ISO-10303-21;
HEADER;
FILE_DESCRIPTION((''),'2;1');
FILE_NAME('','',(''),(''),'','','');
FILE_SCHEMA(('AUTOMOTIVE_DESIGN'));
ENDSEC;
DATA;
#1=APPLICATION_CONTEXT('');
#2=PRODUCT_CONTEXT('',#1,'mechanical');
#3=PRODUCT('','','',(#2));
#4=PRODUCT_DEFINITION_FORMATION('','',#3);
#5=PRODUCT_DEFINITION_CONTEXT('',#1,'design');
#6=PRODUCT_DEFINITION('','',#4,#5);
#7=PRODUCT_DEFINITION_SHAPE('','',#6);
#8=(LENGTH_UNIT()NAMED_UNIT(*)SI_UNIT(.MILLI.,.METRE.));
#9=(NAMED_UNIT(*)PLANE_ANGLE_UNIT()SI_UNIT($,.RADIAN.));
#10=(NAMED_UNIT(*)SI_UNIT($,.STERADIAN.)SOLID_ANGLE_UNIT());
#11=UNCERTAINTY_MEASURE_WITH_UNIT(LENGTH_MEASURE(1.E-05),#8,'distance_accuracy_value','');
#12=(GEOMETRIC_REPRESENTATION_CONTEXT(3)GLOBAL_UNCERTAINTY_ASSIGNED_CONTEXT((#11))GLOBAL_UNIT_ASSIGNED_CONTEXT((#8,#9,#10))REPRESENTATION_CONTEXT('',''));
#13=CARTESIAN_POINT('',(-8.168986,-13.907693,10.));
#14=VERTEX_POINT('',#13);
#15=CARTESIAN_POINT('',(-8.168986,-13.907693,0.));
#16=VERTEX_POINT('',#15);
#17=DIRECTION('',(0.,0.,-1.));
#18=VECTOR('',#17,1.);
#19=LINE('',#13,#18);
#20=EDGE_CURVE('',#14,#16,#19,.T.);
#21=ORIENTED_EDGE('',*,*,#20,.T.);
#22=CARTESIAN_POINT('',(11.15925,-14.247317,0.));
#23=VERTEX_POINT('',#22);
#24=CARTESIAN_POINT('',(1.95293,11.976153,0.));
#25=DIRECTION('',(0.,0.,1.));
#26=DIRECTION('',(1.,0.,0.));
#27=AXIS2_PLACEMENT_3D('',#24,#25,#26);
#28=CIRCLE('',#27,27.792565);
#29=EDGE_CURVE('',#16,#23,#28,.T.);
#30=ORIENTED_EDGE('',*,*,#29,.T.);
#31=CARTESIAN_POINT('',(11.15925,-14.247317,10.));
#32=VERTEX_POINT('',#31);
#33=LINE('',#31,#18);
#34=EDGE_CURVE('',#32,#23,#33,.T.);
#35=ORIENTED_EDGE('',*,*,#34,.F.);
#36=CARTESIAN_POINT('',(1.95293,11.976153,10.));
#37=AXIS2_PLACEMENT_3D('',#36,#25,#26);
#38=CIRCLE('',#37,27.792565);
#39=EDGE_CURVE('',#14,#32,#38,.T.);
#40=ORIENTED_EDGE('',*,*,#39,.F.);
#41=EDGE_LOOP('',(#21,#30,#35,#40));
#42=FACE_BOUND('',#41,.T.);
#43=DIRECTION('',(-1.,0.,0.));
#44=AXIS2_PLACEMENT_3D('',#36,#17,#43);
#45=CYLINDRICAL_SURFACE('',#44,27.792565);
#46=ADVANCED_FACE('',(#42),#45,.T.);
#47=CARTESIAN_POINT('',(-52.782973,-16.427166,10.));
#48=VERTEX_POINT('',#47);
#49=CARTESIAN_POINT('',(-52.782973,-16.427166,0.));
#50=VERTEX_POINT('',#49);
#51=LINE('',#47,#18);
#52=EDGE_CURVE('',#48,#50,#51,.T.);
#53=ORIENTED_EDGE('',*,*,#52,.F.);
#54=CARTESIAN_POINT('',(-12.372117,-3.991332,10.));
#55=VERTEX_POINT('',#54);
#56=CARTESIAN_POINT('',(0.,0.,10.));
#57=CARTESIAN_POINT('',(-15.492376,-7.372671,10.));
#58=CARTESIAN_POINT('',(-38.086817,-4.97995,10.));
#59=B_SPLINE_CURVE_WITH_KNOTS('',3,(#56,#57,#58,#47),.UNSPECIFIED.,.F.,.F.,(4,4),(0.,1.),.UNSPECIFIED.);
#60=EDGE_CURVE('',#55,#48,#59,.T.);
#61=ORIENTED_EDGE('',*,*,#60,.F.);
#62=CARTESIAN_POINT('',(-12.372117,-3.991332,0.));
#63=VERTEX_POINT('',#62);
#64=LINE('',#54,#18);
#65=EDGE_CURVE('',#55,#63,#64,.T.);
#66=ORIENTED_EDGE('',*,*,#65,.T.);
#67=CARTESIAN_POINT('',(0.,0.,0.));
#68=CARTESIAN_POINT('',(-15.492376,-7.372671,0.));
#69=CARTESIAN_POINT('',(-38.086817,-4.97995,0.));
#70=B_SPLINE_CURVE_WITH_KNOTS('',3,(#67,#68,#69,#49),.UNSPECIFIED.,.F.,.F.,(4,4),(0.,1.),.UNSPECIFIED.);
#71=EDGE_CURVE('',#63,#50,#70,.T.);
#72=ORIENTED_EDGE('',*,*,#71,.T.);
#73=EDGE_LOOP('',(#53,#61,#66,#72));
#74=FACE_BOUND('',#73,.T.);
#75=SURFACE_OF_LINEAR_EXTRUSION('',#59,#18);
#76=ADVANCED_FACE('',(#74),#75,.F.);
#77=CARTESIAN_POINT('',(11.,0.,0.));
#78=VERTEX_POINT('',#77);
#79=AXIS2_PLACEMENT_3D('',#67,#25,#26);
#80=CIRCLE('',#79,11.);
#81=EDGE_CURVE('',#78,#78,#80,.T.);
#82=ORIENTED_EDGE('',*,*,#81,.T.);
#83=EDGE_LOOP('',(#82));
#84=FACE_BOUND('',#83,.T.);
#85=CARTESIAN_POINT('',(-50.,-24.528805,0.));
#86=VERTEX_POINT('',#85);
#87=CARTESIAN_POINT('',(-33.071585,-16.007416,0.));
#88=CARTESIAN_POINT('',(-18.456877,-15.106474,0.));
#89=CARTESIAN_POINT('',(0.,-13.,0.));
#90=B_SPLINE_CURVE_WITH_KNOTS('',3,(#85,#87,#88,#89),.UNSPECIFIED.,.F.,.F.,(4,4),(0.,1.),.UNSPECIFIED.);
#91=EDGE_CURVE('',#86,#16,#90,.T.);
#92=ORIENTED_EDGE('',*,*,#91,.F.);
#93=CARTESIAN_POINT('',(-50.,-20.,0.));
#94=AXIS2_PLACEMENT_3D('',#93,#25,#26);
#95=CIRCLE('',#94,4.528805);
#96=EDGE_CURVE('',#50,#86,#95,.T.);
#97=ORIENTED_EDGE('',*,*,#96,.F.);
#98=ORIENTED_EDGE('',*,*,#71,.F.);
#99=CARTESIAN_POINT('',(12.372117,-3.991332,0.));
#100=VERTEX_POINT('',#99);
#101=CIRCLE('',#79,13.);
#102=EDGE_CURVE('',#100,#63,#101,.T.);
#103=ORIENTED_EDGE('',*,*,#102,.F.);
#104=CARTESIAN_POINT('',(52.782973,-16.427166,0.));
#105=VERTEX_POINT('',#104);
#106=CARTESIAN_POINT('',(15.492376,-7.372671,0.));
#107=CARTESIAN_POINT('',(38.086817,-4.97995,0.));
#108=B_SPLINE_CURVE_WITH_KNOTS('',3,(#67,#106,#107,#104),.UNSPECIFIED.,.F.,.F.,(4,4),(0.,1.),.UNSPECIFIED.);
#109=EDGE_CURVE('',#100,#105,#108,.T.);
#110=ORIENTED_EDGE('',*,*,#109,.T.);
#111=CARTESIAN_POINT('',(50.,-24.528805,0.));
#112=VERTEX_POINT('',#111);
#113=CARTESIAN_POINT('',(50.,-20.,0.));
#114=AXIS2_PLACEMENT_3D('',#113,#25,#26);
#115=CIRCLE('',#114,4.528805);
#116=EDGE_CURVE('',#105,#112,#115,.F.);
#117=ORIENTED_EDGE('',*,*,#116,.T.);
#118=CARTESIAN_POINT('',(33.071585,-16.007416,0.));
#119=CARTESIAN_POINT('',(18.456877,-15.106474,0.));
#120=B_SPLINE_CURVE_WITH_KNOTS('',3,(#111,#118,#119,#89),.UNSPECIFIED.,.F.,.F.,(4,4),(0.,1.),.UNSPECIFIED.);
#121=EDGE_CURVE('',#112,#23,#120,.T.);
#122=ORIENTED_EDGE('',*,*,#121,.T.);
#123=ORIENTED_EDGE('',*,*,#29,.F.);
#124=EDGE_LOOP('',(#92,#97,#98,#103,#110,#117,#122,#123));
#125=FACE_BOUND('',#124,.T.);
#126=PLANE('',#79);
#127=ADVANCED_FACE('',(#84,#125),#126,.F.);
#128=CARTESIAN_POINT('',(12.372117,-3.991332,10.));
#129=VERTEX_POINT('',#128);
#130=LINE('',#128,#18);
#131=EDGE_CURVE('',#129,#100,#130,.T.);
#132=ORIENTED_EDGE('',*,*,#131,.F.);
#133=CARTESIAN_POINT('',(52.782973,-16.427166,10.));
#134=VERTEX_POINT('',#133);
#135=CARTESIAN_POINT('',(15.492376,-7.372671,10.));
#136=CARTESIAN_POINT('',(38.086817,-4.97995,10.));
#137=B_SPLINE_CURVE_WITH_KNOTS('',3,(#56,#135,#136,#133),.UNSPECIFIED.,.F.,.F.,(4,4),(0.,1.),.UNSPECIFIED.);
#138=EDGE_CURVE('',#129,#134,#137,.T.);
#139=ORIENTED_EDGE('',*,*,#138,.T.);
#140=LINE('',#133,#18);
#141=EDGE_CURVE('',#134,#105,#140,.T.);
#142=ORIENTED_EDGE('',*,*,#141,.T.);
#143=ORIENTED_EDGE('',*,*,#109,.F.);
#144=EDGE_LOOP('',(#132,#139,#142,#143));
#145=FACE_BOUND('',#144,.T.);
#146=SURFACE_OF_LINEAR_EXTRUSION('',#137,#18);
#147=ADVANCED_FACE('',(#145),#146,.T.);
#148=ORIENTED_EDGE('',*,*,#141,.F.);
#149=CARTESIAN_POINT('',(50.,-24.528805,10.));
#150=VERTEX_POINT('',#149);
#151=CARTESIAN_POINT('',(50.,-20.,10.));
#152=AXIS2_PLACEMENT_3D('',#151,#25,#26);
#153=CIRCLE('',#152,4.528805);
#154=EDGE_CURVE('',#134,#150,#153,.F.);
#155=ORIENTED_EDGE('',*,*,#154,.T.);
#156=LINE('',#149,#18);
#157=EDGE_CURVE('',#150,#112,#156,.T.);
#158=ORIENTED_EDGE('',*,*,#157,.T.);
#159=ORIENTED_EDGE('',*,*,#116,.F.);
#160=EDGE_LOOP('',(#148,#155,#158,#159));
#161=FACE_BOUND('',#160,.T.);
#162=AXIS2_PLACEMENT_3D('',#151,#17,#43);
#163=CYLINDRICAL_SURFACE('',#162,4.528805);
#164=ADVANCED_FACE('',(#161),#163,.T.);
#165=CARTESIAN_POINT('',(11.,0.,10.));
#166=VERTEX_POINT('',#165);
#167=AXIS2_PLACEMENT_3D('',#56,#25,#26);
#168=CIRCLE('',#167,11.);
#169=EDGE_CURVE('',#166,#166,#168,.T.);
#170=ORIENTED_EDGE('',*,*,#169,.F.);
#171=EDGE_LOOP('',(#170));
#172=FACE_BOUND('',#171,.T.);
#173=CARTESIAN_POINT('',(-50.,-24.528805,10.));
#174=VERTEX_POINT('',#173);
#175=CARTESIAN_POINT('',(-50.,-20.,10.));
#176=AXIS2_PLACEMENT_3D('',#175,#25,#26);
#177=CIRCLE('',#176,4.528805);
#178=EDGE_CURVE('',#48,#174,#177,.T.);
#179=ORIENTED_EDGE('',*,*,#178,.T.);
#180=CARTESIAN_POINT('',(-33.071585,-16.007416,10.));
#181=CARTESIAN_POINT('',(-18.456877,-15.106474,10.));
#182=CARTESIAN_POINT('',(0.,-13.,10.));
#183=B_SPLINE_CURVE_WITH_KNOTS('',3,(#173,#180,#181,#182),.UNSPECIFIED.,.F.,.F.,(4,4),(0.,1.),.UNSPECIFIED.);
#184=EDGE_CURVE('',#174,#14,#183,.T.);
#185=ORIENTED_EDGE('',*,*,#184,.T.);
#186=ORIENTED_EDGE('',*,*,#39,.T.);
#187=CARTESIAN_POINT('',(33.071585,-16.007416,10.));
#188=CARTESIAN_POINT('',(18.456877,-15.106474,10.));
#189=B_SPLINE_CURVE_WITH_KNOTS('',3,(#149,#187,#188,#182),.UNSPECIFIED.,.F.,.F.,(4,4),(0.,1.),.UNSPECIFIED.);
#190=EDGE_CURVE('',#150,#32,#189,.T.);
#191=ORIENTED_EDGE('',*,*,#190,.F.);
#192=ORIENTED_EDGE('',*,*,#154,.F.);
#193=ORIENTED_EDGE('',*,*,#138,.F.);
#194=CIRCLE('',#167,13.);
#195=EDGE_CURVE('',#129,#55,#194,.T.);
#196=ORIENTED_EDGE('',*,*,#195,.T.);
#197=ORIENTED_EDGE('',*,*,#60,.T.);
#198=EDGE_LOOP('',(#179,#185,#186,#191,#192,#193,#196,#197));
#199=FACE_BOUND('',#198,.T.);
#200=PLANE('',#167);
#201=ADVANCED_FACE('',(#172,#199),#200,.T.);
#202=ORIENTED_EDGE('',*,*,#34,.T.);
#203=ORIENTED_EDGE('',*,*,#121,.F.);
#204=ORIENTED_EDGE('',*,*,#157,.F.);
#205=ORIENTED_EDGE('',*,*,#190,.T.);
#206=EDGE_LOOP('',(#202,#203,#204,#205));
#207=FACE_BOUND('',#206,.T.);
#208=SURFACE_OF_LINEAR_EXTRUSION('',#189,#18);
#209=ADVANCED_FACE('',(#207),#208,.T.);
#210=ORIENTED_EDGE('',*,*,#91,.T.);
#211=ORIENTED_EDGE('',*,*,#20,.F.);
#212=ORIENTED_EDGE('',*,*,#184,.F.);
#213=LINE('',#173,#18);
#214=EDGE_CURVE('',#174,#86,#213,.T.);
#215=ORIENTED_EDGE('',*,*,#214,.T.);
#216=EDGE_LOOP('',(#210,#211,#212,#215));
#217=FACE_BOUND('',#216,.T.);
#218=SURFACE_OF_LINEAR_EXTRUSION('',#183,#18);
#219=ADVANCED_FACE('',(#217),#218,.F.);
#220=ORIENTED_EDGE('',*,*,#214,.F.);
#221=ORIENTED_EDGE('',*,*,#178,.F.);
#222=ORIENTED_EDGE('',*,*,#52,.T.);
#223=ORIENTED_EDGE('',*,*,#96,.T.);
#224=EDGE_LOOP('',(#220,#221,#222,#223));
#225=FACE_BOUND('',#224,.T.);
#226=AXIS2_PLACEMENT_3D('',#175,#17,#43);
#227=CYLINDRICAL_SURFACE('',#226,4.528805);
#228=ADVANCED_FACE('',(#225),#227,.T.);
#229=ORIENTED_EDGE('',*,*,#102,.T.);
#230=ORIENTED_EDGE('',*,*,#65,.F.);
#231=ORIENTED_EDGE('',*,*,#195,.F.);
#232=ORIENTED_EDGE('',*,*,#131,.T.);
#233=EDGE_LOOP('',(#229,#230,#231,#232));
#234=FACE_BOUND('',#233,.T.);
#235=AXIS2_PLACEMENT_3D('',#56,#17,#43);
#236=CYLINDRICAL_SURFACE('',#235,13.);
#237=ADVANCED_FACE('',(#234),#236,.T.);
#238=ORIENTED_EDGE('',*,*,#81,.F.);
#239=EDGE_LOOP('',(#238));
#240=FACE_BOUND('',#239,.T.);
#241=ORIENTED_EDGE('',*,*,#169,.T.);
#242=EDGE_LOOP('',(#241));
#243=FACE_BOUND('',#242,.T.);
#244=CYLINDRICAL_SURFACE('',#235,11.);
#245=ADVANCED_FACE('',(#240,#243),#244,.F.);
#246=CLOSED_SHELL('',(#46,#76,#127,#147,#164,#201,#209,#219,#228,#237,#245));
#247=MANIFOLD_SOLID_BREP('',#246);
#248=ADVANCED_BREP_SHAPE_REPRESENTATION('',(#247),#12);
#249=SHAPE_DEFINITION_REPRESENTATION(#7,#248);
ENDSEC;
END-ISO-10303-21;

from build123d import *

# Parameters (mm, degrees)
SKETCH1_R           = 11
BOSS_EXTRUDE2_DEPTH = 10


with BuildPart() as part:
    # Sketch1 → Boss-Extrude2 (new body)
    with BuildSketch(Plane.XY):
        with BuildLine():
            ThreePointArc((12.372116541, -3.991332145), (0, 13), (-12.372116541, -3.991332145))
            add(Edge.make_bspline(
                [(-12.372116541, -3.991332145), (-26.033828429, -7.02831389), (-41.667558827, -7.769082655), (-52.782972627, -16.427166435)],
                knots=[0.243651576, 0.243651576, 0.243651576, 0.243651576, 1, 1, 1, 1], degree=3))
            ThreePointArc((-52.782972627, -16.427166435), (-54.283149744, -21.471293509), (-50, -24.528805176))
            add(Edge.make_bspline(
                [(-50, -24.528805176), (-35.643842749, -17.302233424), (-22.951681631, -15.556213893), (-8.168986124, -13.907692957)],
                knots=[0, 0, 0, 0, 0.848050859, 0.848050859, 0.848050859, 0.848050859], degree=3))
            ThreePointArc((-8.168986124, -13.907692957), (1.464652086, -15.812122585), (11.159249547, -14.247316707))
            add(Edge.make_bspline(
                [(11.159249547, -14.247316707), (24.686928923, -15.819249429), (36.620856901, -17.79404072), (50, -24.528805176)],
                knots=[1, 1, 1, 1, 1.790336411, 1.790336411, 1.790336411, 1.790336411], degree=3))
            ThreePointArc((50, -24.528805176), (54.283149744, -21.471293509), (52.782972627, -16.427166435))
            add(Edge.make_bspline(
                [(12.372116541, -3.991332145), (26.033828429, -7.02831389), (41.667558827, -7.769082655), (52.782972627, -16.427166435)],
                knots=[0.243651576, 0.243651576, 0.243651576, 0.243651576, 1, 1, 1, 1], degree=3))
        make_face()
        Circle(SKETCH1_R, mode=Mode.SUBTRACT)
    extrude(amount=BOSS_EXTRUDE2_DEPTH)


solid = part.part
